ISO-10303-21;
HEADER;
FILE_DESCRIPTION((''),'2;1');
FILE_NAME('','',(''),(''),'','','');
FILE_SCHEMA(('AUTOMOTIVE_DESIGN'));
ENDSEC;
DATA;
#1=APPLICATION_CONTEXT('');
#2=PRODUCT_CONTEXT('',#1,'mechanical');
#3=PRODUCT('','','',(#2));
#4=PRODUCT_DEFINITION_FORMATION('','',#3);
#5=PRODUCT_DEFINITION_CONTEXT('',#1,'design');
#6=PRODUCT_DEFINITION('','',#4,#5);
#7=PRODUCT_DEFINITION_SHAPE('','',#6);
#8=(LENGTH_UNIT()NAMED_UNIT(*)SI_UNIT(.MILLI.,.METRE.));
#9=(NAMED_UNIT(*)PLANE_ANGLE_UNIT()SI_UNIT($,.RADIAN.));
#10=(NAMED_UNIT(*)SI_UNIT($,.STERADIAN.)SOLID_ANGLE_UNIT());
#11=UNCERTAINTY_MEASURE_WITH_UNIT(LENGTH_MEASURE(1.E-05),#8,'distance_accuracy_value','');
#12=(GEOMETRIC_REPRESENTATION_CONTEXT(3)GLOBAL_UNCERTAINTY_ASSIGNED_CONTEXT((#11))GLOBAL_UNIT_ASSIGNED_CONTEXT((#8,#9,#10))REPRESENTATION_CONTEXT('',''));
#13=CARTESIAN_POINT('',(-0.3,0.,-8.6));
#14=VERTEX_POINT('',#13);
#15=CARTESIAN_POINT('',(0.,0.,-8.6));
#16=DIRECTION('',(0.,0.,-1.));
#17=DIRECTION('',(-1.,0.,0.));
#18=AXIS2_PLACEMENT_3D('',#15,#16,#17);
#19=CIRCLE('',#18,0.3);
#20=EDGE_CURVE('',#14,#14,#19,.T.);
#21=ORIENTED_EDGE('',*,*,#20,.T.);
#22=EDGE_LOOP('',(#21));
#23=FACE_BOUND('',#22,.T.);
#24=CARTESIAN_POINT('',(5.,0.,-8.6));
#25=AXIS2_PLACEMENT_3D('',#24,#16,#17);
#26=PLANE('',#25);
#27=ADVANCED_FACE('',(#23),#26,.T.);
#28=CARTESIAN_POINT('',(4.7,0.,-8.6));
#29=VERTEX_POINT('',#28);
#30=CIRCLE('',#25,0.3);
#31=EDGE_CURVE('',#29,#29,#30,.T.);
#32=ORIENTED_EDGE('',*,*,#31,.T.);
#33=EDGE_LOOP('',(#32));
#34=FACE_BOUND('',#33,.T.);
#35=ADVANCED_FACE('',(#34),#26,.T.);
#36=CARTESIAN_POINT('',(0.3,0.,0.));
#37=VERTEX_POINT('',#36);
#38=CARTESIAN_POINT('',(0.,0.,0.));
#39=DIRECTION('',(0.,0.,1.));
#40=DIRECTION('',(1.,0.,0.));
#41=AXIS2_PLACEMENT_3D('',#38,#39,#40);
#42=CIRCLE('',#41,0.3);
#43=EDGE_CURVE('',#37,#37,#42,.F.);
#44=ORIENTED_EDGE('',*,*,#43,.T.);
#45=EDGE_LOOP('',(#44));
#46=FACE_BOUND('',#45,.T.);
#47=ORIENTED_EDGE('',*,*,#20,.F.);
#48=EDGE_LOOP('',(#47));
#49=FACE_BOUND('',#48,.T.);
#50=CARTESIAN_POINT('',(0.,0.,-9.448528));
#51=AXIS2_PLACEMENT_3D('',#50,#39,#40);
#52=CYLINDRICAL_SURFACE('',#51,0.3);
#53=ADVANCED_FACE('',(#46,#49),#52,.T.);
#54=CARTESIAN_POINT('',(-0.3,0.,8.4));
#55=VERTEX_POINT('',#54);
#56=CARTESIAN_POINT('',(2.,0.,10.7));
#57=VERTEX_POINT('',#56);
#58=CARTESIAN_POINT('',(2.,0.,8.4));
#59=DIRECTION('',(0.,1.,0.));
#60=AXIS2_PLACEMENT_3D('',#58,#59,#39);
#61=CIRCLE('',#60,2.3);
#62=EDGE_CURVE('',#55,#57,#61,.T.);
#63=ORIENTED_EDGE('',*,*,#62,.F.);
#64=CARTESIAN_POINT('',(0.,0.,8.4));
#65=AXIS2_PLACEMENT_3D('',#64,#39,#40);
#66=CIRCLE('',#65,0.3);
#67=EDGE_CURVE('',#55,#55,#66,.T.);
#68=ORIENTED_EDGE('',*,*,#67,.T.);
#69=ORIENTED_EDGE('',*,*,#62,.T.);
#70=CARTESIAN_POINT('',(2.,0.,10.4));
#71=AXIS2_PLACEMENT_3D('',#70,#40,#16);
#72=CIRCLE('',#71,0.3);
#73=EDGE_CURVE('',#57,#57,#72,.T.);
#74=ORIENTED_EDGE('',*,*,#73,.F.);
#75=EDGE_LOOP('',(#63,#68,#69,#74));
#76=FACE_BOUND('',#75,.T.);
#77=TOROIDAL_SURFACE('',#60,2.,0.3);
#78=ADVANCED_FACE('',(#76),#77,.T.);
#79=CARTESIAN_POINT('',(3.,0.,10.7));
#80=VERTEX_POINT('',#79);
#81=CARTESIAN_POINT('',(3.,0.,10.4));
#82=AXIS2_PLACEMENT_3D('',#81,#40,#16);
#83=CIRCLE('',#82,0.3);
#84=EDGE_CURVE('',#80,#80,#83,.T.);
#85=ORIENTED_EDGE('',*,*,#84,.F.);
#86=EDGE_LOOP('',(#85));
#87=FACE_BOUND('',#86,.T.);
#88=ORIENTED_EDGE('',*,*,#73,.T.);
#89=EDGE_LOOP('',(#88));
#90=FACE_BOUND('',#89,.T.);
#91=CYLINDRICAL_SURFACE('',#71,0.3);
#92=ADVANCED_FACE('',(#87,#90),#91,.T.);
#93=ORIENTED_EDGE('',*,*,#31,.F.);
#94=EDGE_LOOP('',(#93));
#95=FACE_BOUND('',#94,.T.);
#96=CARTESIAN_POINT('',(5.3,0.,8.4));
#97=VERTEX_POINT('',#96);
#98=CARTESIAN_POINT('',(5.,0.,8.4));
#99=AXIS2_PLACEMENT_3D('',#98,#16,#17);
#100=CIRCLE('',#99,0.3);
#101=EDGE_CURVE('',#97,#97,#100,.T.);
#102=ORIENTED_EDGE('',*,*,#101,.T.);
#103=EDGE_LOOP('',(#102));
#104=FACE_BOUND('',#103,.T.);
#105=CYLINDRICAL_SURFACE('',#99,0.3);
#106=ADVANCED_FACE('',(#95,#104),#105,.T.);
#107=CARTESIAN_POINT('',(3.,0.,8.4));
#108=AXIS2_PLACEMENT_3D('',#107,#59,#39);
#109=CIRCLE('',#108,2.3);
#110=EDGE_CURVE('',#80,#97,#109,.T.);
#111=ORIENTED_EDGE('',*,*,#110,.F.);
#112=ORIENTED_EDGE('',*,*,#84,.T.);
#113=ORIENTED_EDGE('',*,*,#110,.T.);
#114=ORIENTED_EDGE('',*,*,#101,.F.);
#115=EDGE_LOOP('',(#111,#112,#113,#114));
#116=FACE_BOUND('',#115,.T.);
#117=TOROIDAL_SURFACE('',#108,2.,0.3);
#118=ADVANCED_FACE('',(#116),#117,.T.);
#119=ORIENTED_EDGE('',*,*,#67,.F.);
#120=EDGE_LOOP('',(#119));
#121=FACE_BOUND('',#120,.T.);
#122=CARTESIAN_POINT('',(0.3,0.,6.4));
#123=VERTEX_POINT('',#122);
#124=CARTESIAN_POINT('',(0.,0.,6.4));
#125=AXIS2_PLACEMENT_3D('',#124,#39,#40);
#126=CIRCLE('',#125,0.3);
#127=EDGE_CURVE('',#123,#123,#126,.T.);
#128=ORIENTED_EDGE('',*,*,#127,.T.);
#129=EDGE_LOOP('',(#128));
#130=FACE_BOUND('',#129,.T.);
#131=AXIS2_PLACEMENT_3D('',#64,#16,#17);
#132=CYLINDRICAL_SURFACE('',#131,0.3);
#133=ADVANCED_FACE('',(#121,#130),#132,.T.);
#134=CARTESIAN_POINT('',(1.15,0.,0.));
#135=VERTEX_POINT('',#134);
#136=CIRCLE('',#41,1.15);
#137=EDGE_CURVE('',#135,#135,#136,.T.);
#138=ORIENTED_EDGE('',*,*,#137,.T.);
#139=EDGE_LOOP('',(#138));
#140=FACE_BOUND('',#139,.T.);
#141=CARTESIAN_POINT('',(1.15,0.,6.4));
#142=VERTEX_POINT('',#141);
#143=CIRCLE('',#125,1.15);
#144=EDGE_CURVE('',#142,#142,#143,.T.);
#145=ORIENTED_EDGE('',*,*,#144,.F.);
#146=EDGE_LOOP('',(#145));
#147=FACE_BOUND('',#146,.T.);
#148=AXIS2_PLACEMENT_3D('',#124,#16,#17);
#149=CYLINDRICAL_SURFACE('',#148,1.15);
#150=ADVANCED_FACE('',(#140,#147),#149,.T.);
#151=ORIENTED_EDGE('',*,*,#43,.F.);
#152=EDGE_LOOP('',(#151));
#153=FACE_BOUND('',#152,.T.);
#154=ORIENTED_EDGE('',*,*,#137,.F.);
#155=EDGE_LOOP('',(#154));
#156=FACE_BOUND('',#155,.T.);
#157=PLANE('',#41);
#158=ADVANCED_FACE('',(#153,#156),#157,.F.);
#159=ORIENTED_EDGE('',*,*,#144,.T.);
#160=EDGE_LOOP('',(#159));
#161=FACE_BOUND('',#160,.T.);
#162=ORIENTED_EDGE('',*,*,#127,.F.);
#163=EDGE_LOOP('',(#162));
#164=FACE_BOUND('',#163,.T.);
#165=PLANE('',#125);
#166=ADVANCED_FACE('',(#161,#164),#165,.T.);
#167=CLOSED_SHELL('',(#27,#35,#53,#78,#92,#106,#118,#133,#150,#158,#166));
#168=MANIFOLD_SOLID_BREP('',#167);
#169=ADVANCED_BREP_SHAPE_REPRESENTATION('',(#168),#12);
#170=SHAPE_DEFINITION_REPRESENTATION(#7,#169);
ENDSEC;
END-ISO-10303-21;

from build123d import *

# Parameters (mm, degrees)
SKETCH2_R           = 1.15
RESISTOR_BODY_DEPTH = 6.4
LEAD1_PROFILE_R     = 0.3
SKETCH6_R           = 0.3
LEAD2_DEPTH         = 8.6


with BuildPart() as part:
    # Sketch2 → Resistor Body (new body)
    with BuildSketch(Plane.XY):
        Circle(SKETCH2_R)
    extrude(amount=RESISTOR_BODY_DEPTH)

    # Lead1: sweep along a path in Lead1 Path
    with BuildLine(Plane.XZ) as lead1_path:
        Line((0, 6.4), (0, 8.4))
        ThreePointArc((0, 8.4), (0.585786438, 9.814213562), (2, 10.4))
        Line((2, 10.4), (3, 10.4))
        ThreePointArc((3, 10.4), (4.414213562, 9.814213562), (5, 8.4))
        Line((5, 8.4), (5, -8.6))
    # Lead1 Profile → Lead1 (sweep)
    with BuildSketch(Plane(origin=(0, 0, 6.4), x_dir=(-1, 0, 0), z_dir=(0, 0, 1))):
        Circle(LEAD1_PROFILE_R)
    sweep(path=lead1_path.line)

    # Sketch6 → Lead2 (add)
    with BuildSketch(Plane(origin=(0, 0, 0), x_dir=(1, 0, 0), z_dir=(0, 0, -1))):
        Circle(SKETCH6_R)
    extrude(amount=LEAD2_DEPTH)


solid = part.part
